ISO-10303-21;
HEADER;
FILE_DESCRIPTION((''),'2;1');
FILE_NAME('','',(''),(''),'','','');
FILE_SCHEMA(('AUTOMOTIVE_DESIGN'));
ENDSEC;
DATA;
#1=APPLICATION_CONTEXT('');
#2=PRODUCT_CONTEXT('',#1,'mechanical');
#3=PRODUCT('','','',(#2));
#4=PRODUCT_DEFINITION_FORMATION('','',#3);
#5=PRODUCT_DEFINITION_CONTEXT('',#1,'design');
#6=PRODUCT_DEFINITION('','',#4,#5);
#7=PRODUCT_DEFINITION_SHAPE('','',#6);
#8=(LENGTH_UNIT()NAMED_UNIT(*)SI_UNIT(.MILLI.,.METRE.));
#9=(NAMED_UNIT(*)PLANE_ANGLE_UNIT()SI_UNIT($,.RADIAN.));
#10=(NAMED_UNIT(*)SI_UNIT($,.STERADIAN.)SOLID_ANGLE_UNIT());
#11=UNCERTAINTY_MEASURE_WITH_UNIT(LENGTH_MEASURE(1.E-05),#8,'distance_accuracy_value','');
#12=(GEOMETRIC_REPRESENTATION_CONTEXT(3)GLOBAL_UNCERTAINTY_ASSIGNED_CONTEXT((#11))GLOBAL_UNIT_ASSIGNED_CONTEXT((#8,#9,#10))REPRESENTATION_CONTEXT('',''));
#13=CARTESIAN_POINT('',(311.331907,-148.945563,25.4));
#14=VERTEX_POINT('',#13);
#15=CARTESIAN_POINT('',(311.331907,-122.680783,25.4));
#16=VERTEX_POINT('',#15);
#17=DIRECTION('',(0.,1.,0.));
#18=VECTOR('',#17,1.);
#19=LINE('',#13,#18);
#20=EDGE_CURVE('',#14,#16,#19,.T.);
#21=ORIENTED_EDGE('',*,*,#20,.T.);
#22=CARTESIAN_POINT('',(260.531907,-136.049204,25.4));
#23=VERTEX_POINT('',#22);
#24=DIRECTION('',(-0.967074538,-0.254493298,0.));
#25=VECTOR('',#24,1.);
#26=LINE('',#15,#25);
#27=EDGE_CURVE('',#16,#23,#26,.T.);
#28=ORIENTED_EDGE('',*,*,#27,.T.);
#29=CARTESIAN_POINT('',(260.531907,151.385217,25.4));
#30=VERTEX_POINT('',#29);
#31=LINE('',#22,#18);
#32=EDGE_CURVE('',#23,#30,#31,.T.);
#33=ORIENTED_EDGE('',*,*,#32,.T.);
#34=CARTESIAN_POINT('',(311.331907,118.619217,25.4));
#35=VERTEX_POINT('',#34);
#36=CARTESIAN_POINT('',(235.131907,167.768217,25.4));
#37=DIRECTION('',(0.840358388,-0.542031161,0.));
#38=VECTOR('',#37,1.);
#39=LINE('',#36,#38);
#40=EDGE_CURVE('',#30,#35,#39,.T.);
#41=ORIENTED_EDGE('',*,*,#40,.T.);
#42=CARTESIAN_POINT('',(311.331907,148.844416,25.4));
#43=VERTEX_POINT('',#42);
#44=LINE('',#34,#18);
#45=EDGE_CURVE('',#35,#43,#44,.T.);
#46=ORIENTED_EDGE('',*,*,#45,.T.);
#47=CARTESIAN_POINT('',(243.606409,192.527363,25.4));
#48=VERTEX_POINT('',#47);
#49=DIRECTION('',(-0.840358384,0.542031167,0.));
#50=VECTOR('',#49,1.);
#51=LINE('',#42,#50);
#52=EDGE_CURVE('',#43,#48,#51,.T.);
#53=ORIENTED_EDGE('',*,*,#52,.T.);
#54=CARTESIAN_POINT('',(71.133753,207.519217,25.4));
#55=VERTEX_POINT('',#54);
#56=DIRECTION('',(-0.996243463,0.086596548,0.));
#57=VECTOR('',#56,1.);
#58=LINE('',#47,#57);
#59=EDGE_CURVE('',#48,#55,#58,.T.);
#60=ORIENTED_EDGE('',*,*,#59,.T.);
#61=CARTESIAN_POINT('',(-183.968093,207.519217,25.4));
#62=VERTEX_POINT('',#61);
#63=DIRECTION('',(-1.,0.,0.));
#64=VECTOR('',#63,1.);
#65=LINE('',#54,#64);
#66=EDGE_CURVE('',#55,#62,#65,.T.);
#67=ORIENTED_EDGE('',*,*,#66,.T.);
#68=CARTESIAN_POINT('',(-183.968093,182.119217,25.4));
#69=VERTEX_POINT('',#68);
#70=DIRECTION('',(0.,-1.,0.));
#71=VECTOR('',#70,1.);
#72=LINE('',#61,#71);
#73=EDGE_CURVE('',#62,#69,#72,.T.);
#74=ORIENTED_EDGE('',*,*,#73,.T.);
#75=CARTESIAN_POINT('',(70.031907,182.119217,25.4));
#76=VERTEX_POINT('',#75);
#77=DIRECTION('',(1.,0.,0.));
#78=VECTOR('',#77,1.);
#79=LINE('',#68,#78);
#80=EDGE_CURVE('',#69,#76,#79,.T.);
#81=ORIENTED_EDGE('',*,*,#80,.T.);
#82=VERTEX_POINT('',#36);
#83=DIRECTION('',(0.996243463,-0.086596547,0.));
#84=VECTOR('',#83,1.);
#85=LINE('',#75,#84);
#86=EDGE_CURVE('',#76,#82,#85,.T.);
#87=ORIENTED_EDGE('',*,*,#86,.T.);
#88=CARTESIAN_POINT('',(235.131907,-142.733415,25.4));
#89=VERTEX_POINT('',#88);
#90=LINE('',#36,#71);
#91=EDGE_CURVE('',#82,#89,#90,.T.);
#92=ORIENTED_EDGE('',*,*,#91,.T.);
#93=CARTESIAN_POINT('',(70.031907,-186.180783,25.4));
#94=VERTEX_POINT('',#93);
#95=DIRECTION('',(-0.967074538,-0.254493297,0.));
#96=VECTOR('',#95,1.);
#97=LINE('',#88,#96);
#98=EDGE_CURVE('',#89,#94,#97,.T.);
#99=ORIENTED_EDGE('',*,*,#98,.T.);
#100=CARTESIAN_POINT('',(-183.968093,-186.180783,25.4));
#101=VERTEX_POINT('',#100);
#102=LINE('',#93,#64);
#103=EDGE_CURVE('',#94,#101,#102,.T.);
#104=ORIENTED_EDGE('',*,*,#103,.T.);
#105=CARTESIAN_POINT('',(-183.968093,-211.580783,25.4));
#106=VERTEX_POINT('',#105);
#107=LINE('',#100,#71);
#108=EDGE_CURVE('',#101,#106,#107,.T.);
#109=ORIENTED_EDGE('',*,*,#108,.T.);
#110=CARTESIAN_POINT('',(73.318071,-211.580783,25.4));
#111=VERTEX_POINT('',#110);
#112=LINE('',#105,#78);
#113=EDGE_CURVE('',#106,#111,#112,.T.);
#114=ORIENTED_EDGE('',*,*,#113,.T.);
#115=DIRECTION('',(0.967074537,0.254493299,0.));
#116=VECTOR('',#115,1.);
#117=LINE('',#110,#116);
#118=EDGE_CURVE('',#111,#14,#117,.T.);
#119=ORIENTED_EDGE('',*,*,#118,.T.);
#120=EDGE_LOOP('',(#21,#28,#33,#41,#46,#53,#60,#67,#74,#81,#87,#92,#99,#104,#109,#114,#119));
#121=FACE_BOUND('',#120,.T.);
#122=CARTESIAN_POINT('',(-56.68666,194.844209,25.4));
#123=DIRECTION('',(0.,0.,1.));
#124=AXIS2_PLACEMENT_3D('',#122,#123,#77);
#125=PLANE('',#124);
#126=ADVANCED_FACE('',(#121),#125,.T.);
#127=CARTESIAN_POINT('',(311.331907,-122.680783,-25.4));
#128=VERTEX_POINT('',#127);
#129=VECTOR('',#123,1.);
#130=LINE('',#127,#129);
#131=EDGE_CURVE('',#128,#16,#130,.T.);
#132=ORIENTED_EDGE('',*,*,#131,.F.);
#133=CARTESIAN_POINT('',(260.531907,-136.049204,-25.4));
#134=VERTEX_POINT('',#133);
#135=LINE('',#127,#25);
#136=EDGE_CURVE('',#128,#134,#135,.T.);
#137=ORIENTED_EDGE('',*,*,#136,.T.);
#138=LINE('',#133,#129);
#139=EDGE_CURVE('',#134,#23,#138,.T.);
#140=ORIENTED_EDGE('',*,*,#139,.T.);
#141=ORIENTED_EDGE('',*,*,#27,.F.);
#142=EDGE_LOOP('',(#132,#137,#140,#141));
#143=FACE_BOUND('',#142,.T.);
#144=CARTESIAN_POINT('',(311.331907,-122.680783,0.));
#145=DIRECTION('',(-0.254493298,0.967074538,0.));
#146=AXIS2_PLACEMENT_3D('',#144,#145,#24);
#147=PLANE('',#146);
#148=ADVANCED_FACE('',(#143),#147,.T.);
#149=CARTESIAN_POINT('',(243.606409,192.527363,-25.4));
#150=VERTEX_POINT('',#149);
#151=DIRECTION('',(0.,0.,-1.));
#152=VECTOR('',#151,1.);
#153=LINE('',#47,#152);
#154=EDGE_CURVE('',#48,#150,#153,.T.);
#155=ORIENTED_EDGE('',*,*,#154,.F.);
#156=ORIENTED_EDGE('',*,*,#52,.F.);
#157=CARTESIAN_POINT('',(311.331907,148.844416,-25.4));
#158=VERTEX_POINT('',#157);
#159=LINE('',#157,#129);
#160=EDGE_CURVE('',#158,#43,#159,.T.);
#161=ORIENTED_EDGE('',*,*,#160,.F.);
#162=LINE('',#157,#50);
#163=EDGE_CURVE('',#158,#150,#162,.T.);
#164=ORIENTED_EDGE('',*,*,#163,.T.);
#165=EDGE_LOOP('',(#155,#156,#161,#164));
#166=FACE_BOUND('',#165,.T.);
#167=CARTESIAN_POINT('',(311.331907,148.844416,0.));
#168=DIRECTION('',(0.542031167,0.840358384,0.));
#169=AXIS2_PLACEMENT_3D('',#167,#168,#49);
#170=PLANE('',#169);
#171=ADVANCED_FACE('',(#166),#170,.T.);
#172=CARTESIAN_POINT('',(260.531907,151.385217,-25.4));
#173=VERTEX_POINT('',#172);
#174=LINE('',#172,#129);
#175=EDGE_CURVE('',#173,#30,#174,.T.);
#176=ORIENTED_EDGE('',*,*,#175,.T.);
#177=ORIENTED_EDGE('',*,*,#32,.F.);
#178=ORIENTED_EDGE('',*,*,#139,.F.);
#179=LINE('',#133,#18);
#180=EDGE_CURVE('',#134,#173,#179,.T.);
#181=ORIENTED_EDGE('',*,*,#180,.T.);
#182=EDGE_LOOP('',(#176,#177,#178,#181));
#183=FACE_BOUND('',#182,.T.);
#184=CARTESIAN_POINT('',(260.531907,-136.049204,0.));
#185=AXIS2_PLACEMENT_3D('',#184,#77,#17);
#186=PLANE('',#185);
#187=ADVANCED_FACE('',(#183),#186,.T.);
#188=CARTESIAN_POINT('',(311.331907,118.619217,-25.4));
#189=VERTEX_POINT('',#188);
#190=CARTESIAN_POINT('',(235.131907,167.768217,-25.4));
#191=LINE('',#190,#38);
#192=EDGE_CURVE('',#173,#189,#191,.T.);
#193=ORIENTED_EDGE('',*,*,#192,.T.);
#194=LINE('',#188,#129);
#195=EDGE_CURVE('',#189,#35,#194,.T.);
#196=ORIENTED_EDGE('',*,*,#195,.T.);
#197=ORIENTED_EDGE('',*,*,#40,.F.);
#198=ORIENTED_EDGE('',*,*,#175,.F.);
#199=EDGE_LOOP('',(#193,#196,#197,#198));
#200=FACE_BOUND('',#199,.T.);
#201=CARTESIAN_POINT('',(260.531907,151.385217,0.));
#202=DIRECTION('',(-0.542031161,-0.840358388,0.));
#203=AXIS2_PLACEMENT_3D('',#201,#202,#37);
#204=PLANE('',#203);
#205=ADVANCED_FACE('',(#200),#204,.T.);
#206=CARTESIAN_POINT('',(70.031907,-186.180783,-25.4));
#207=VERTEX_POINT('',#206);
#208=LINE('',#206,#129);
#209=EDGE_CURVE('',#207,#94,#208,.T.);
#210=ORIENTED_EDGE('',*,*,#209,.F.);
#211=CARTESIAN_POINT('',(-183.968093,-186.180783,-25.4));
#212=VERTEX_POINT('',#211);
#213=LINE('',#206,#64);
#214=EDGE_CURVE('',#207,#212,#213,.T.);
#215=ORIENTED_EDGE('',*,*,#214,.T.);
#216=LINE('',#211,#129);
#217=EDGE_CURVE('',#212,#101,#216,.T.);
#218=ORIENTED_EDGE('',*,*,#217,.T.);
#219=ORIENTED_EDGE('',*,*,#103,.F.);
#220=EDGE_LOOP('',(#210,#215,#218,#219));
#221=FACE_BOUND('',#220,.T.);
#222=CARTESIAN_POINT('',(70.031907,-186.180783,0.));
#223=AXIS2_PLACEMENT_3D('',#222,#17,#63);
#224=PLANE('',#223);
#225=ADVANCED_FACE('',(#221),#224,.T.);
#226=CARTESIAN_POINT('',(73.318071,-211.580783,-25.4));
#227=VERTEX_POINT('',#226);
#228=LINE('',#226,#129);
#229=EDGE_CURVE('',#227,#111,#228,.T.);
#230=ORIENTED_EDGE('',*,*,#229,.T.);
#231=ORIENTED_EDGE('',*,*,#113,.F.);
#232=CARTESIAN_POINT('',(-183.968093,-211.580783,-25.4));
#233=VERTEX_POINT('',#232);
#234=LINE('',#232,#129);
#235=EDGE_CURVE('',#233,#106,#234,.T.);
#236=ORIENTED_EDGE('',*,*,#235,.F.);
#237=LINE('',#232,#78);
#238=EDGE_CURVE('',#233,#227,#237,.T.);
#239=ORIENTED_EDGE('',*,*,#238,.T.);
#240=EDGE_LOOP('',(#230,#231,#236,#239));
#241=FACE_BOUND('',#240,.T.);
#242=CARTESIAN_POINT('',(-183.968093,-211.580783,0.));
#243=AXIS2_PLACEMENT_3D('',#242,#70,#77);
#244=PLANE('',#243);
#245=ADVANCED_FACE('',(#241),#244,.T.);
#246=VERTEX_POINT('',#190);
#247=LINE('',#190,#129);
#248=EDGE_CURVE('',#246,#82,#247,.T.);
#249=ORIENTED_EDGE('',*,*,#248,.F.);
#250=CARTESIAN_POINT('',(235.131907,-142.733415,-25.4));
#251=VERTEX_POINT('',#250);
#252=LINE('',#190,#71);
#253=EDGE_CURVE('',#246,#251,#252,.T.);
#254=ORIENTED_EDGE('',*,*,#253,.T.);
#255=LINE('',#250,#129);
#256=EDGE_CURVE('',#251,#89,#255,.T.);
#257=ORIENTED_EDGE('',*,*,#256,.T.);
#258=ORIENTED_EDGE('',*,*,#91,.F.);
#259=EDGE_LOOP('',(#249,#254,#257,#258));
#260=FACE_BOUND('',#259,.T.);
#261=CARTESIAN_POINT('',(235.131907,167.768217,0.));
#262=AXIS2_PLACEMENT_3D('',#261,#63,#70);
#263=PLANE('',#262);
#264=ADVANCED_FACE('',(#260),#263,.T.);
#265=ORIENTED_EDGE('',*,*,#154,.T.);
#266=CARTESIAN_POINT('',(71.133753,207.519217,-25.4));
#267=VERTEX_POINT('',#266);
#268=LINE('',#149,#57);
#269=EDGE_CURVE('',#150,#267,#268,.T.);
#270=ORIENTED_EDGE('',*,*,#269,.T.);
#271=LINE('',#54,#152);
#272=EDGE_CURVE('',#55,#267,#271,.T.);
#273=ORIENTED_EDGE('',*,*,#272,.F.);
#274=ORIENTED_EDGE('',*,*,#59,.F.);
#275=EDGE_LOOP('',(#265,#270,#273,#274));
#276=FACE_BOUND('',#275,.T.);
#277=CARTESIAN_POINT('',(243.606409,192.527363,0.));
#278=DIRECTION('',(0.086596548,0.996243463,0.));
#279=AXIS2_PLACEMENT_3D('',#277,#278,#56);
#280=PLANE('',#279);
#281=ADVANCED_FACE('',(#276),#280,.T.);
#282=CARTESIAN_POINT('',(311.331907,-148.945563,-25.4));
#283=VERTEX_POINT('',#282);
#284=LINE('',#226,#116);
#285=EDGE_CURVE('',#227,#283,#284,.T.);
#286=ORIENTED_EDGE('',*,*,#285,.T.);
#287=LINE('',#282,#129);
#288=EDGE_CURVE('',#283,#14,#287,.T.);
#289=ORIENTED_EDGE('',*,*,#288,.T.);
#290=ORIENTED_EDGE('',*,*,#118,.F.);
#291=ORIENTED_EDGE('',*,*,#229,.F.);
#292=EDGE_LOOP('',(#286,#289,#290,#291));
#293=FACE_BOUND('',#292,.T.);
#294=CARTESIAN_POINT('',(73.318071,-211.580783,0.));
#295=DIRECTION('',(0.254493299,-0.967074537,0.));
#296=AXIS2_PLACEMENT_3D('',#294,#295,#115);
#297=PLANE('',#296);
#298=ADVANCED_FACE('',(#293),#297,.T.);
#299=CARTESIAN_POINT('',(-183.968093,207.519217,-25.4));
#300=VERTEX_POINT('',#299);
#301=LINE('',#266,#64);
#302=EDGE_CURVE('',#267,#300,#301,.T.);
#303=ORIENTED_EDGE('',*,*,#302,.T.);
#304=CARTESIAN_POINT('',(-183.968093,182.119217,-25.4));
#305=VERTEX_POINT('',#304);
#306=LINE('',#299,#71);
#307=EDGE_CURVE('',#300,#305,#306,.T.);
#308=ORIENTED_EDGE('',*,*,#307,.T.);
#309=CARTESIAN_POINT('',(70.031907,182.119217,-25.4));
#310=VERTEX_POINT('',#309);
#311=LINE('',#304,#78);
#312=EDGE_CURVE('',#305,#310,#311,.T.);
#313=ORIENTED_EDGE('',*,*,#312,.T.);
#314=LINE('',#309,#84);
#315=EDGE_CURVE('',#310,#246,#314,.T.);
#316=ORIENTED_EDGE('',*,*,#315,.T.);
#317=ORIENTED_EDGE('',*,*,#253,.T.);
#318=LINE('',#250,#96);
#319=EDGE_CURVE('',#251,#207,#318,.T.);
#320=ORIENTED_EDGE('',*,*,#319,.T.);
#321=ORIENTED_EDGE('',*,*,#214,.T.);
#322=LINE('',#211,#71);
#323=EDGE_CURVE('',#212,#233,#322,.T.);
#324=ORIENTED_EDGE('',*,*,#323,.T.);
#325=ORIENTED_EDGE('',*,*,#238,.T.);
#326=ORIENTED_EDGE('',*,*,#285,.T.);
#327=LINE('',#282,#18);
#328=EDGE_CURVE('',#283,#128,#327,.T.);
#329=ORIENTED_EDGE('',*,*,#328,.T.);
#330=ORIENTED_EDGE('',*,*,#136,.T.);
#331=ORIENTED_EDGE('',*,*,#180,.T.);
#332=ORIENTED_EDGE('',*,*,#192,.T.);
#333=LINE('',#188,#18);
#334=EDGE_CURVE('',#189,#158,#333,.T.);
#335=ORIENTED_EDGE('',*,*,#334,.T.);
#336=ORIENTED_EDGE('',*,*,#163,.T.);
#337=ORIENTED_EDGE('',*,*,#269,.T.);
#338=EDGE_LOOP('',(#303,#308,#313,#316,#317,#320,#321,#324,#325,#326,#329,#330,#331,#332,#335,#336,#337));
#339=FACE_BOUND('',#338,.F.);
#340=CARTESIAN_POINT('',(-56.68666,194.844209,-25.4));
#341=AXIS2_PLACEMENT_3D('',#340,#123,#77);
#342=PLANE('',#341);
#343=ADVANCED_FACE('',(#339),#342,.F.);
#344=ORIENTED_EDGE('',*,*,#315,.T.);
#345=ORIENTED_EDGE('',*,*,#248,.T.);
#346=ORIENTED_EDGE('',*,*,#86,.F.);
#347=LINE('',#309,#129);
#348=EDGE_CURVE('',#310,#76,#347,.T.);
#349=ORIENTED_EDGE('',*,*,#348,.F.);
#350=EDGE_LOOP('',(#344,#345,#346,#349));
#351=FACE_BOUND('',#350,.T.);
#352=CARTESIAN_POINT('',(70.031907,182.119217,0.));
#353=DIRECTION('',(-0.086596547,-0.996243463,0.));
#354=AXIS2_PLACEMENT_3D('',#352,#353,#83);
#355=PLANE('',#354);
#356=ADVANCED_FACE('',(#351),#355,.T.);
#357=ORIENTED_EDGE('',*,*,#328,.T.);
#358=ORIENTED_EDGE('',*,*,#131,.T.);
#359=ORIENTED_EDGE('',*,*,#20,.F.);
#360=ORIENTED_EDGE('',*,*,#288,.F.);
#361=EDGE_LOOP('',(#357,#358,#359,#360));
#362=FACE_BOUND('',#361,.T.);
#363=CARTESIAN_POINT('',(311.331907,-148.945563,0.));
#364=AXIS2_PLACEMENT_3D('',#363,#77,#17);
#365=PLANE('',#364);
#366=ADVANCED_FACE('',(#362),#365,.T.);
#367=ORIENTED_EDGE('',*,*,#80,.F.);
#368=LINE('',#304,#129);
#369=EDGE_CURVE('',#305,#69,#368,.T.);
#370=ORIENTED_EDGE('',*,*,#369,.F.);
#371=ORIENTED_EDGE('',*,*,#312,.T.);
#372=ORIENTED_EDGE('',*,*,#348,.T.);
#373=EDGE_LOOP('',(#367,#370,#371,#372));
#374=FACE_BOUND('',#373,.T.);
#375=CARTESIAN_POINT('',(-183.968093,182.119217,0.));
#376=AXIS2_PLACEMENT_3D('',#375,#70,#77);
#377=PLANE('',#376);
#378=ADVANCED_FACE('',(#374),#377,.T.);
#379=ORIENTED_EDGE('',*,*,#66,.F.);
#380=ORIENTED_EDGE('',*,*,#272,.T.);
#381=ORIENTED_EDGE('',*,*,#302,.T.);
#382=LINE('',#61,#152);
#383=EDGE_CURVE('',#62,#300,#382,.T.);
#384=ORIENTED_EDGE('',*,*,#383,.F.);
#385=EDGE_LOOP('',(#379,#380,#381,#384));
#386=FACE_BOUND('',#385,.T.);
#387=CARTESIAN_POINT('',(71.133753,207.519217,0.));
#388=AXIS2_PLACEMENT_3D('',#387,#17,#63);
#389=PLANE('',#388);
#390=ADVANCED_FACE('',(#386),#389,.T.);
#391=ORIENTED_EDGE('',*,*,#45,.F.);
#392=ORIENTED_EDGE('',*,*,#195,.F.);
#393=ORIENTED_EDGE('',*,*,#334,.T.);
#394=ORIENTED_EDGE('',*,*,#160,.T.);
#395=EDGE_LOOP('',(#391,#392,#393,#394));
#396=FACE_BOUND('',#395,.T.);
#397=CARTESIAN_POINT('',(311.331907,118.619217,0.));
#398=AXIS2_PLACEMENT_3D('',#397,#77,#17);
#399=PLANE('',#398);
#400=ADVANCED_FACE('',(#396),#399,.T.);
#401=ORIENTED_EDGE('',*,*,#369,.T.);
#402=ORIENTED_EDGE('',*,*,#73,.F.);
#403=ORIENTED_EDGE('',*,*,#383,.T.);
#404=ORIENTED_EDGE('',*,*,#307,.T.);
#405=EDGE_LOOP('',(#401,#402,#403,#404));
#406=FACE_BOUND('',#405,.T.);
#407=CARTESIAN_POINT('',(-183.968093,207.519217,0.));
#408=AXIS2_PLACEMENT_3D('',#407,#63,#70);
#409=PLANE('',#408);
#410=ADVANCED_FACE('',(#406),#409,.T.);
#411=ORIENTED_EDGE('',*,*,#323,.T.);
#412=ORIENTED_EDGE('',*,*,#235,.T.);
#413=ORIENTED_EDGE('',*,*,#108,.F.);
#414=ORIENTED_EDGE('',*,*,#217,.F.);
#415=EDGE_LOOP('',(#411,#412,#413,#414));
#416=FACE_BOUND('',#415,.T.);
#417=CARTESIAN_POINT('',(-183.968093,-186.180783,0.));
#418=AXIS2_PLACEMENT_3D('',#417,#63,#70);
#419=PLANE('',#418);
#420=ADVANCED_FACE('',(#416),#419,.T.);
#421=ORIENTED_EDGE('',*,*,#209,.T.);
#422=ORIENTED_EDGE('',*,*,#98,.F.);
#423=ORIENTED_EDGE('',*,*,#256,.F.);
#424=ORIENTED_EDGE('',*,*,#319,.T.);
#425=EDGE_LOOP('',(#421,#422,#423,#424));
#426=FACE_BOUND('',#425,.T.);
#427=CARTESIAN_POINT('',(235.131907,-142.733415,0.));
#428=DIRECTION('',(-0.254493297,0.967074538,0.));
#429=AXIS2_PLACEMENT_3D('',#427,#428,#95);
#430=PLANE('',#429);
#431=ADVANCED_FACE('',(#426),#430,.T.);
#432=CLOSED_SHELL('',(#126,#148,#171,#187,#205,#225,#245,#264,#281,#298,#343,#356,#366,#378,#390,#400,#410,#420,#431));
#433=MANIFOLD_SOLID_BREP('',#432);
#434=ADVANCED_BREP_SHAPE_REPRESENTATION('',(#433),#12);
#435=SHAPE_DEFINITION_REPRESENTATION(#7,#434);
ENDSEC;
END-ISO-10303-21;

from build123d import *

# Parameters (mm, degrees)
F1_DEPTH = 25.4


with BuildPart() as f1:
    # F0 (on Top) → F1 (new body, symmetric)
    with BuildSketch(Plane.XY):
        Polygon((-183.968093, 207.519217), (-183.968093, 182.119217), (70.031907, 182.119217), (71.133753, 207.519217), align=None)
        Polygon((71.133753, 207.519217), (70.031907, 182.119217), (235.131907, 167.768217), (243.606409, 192.527363), align=None)
        Polygon((243.606409, 192.527363), (235.131907, 167.768217), (260.531907, 151.385217), (311.331907, 118.619217), (311.331907, 148.844416), align=None)
        Polygon((260.531907, 151.385217), (235.131907, 167.768217), (235.131907, 161.418217), (235.131907, 145.162217), (235.131907, 101.592698), (235.131907, -2.030783), (235.131907, -142.733415), (260.531907, -136.049204), align=None)
        Polygon((311.331907, -122.680783), (260.531907, -136.049204), (235.131907, -142.733415), (70.031907, -186.180783), (73.318071, -211.580783), (311.331907, -148.945563), align=None)
        Polygon((73.318071, -211.580783), (70.031907, -186.180783), (-183.968093, -186.180783), (-183.968093, -211.580783), align=None)
    extrude(amount=F1_DEPTH, both=True)


solid = f1.part
